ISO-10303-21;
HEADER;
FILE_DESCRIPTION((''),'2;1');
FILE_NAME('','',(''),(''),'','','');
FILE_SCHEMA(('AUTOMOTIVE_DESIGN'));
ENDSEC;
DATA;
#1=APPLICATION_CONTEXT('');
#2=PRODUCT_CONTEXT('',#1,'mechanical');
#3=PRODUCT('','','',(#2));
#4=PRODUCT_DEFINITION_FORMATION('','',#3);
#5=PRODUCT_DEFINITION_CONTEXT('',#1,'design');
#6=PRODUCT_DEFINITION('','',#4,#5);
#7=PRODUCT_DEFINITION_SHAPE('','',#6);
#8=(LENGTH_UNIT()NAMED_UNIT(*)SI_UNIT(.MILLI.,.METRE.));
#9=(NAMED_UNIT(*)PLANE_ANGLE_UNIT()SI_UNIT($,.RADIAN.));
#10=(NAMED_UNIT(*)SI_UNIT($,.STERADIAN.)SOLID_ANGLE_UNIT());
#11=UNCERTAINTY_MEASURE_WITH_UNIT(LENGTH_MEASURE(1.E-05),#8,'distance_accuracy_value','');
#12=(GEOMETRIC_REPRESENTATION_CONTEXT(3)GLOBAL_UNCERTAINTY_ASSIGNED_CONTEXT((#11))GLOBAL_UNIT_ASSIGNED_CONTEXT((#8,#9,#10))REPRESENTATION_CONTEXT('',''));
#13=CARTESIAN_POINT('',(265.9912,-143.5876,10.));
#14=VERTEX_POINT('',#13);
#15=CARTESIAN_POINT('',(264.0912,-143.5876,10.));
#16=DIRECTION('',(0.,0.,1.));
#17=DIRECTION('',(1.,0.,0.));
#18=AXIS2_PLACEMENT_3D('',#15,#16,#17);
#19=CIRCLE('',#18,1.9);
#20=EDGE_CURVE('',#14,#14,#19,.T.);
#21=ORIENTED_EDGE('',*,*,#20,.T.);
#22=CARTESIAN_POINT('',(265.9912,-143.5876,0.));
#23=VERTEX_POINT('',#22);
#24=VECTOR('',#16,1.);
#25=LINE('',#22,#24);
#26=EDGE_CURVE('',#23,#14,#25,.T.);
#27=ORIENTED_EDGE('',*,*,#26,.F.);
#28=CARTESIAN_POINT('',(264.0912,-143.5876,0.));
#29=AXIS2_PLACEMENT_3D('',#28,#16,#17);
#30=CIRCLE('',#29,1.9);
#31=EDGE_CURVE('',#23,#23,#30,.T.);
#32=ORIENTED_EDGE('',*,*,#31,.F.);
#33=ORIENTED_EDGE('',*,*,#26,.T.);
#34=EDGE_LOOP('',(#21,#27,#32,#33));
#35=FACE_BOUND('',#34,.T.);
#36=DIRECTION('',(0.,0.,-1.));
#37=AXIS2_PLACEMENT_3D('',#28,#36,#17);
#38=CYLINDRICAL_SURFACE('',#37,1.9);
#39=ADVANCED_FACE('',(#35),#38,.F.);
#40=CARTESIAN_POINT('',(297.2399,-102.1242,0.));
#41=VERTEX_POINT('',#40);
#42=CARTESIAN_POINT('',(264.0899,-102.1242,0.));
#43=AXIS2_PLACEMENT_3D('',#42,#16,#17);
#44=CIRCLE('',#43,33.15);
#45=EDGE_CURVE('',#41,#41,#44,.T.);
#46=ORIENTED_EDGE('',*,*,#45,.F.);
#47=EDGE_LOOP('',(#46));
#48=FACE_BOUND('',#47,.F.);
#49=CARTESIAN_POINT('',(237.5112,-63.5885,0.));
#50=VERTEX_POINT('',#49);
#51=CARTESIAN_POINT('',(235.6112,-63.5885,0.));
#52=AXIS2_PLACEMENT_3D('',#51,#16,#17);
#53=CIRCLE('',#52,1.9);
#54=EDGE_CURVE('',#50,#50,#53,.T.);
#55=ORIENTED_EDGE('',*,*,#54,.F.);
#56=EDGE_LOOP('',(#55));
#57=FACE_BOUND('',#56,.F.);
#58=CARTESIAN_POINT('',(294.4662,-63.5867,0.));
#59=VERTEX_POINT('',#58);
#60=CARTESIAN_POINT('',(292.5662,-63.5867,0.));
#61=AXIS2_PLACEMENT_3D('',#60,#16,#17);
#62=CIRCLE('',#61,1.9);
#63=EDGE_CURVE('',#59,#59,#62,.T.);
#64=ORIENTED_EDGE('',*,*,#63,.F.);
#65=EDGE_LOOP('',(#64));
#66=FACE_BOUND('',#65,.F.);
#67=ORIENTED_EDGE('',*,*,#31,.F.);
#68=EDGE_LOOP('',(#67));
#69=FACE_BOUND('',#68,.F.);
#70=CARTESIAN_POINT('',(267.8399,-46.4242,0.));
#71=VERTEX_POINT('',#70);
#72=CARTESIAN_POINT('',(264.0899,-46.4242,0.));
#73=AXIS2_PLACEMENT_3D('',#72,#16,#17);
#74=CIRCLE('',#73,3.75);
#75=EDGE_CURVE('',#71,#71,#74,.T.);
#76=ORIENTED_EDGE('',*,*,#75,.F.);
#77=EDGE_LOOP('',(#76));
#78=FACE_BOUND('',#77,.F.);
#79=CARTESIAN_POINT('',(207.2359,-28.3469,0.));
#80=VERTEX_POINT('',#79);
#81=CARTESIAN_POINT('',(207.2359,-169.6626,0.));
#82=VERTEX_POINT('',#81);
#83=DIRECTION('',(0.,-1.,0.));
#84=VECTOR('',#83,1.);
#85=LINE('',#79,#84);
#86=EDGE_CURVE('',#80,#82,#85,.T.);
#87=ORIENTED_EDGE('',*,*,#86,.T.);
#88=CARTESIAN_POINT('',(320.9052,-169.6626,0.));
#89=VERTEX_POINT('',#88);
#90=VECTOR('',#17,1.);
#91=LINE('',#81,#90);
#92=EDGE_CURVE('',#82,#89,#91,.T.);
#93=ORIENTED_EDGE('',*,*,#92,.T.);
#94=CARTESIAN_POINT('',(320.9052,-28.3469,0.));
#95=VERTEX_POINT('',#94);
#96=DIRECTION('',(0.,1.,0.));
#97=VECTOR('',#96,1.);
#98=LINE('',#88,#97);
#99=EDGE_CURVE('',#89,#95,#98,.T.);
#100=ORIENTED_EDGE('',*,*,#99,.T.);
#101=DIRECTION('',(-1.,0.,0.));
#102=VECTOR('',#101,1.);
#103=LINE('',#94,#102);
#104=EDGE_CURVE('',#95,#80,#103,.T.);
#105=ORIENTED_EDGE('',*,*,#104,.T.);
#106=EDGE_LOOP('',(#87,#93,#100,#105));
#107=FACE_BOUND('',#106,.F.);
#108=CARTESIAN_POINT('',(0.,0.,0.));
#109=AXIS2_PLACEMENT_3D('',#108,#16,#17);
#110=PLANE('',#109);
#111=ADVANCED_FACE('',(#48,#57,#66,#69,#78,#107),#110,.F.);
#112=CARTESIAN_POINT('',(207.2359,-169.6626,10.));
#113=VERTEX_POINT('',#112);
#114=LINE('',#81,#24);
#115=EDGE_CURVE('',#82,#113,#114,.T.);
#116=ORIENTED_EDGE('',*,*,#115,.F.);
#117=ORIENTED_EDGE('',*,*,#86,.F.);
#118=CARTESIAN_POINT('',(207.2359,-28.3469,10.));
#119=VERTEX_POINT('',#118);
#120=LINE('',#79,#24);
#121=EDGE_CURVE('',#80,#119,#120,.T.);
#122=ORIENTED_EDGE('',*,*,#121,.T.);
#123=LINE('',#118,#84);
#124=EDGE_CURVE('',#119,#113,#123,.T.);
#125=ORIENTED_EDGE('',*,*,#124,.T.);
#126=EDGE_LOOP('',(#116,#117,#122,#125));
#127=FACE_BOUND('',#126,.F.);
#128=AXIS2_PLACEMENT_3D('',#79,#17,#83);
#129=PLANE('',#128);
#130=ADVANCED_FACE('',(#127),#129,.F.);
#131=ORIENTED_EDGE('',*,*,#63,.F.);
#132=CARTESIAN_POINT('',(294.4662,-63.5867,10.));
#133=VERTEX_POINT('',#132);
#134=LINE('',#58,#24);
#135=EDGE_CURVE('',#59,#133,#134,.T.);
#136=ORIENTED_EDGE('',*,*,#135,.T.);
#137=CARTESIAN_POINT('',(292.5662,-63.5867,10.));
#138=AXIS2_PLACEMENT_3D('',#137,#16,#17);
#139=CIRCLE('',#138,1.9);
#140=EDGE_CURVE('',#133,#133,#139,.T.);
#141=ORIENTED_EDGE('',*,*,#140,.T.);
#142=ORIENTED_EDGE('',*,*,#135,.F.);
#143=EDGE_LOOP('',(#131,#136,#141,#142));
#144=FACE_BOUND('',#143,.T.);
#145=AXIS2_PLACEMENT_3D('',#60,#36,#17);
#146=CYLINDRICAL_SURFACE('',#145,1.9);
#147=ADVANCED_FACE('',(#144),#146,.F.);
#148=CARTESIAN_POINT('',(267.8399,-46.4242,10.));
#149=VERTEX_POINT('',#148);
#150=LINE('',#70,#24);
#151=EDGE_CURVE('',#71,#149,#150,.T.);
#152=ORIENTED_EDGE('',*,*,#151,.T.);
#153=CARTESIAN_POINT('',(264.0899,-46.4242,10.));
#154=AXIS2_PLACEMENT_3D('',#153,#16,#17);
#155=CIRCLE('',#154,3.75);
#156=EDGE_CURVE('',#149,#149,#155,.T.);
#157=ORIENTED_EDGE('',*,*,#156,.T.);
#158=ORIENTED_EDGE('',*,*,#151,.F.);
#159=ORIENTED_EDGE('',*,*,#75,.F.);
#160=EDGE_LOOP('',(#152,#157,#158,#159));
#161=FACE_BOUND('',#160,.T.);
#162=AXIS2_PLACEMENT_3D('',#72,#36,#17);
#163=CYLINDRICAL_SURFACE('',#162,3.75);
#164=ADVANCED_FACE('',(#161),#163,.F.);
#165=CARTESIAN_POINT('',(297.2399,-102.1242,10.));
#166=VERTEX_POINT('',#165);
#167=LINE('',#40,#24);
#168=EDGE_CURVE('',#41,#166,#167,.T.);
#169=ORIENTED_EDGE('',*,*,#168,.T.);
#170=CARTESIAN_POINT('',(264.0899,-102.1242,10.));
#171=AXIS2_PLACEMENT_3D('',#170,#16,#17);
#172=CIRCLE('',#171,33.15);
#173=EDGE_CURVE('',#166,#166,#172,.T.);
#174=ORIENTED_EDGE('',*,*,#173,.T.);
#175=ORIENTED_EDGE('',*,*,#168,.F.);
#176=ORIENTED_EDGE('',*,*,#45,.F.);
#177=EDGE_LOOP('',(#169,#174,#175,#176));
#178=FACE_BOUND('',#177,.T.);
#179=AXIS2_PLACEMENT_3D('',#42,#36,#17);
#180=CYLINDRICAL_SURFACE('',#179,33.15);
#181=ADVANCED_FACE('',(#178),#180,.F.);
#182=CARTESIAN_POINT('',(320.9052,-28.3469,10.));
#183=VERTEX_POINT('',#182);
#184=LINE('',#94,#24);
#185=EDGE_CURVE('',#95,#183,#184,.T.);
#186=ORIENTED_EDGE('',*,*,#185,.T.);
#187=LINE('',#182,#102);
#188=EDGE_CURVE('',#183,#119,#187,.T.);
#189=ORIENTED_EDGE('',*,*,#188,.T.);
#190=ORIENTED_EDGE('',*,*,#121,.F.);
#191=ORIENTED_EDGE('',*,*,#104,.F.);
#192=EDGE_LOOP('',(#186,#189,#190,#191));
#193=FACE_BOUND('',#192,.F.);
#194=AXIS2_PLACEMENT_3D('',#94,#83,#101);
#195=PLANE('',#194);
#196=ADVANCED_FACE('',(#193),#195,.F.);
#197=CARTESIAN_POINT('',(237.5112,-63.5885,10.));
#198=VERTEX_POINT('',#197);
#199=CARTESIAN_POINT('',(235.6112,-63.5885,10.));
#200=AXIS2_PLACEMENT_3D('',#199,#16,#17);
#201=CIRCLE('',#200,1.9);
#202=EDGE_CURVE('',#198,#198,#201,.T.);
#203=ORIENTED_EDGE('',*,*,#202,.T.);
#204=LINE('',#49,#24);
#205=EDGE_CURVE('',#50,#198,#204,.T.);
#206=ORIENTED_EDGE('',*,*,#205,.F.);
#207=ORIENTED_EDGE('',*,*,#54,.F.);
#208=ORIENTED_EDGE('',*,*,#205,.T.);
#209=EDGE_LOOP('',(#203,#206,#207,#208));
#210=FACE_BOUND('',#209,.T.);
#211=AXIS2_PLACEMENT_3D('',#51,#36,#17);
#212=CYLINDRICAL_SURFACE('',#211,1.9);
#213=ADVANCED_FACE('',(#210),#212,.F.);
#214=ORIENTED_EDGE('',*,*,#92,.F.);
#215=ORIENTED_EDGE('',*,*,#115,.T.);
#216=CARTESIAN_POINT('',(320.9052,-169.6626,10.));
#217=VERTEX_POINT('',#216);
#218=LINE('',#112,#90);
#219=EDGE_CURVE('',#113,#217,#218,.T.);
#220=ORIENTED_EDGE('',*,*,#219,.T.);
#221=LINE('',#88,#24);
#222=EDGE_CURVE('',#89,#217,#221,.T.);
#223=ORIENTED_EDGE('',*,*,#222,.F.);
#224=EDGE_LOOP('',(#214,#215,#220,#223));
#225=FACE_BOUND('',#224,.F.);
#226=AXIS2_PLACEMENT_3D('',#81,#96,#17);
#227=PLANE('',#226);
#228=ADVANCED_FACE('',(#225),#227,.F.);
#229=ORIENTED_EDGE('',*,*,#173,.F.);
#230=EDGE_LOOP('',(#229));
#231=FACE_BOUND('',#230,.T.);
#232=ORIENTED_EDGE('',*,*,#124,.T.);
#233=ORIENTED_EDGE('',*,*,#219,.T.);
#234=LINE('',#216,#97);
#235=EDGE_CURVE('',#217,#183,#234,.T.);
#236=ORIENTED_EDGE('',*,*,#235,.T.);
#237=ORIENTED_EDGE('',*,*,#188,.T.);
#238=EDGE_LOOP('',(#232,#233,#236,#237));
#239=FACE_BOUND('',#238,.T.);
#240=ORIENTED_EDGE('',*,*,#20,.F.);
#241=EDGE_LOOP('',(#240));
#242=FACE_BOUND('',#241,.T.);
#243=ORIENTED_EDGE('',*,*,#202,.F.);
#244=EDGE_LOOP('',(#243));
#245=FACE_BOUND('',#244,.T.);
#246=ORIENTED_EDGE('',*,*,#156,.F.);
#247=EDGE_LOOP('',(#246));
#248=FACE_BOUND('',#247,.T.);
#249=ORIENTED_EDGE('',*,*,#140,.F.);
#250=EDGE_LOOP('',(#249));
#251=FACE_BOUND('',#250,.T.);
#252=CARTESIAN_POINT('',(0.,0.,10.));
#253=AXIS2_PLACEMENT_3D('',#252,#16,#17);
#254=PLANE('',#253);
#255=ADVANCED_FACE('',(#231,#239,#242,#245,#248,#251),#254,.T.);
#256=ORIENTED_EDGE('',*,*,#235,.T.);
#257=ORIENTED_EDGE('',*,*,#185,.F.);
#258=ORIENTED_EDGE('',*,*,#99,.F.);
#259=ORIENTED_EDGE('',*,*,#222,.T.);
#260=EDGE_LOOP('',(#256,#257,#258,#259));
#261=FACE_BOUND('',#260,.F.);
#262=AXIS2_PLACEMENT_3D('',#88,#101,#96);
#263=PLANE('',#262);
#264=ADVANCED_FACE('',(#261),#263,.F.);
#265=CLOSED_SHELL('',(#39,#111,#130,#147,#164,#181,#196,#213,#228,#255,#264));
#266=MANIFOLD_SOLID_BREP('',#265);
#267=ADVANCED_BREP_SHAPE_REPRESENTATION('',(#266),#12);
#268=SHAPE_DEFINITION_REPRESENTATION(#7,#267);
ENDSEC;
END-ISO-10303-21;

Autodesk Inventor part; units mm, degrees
ref_plane "YZ Plane" through (0, 0, 0) normal (1, 0, 0) x (0, 1, 0)
ref_plane "XZ Plane" through (0, 0, 0) normal (0, 1, 0) x (-1, 0, 0)
ref_plane "XY Plane" through (0, 0, 0) normal (0, 0, 1) x (1, 0, 0)
sketch "스케치4" plane through (0, 0, 0) normal (0, 0, 1) x (1, 0, 0)
  circle A0 centre (264.0912, 143.5876) radius 1.9
  circle A1 centre (235.6112, 63.5885) radius 1.9
  circle A2 centre (292.5662, 63.5867) radius 1.9
  circle A3 centre (264.0899, 46.4242) radius 3.75
  circle A4 centre (264.0899, 102.1242) radius 33.15
  circle A5 centre (292.5662, 63.5867) radius 1.5
  circle A6 centre (235.6112, 63.5885) radius 1.5
  circle A7 centre (264.0912, 143.5876) radius 1.5
  line L0 (264.0899, 102.1242) -> (264.0899, 46.4242)
  line L1 (356.232, 0) -> (158.7026, 0)
  circle A8 centre (264.0912, -143.5876) radius 1.9
  circle A9 centre (235.6112, -63.5885) radius 1.9
  circle A10 centre (292.5662, -63.5867) radius 1.9
  circle A11 centre (264.0899, -46.4242) radius 3.75
  circle A12 centre (264.0899, -102.1242) radius 33.15
  circle A13 centre (235.6112, -63.5885) radius 1.5
  circle A14 centre (264.0912, -143.5876) radius 1.5
  circle A15 centre (292.5662, -63.5867) radius 1.5
  line L2 (264.0899, -102.1242) -> (264.0899, -46.4242) construction
  line L3 (320.9052, -28.3469) -> (207.2359, -28.3469)
  line L4 (207.2359, -28.3469) -> (207.2359, -169.6626)
  line L5 (207.2359, -169.6626) -> (320.9052, -169.6626)
  line L6 (320.9052, -169.6626) -> (320.9052, -28.3469)
  point P0 (0, 0)
  dimension "d38" = 3
  dimension "d39" = 3
  dimension "d40" = 3
  dimension "d41" = 41.4634
  dimension "d42" = 47.917
  dimension "d45" = 7.5
  dimension "d48" = 143.537
  dimension "d50" = 47.917
  dimension "d51" = 36.465
  dimension "d52" = 36.462
  dimension "d53" = 179.998
  dimension "d54" = 55.7
extrude "돌출3" add sketch "스케치4" along normal blind 10 contours L6 L5 L4 L3
properties part number "Lidar"
